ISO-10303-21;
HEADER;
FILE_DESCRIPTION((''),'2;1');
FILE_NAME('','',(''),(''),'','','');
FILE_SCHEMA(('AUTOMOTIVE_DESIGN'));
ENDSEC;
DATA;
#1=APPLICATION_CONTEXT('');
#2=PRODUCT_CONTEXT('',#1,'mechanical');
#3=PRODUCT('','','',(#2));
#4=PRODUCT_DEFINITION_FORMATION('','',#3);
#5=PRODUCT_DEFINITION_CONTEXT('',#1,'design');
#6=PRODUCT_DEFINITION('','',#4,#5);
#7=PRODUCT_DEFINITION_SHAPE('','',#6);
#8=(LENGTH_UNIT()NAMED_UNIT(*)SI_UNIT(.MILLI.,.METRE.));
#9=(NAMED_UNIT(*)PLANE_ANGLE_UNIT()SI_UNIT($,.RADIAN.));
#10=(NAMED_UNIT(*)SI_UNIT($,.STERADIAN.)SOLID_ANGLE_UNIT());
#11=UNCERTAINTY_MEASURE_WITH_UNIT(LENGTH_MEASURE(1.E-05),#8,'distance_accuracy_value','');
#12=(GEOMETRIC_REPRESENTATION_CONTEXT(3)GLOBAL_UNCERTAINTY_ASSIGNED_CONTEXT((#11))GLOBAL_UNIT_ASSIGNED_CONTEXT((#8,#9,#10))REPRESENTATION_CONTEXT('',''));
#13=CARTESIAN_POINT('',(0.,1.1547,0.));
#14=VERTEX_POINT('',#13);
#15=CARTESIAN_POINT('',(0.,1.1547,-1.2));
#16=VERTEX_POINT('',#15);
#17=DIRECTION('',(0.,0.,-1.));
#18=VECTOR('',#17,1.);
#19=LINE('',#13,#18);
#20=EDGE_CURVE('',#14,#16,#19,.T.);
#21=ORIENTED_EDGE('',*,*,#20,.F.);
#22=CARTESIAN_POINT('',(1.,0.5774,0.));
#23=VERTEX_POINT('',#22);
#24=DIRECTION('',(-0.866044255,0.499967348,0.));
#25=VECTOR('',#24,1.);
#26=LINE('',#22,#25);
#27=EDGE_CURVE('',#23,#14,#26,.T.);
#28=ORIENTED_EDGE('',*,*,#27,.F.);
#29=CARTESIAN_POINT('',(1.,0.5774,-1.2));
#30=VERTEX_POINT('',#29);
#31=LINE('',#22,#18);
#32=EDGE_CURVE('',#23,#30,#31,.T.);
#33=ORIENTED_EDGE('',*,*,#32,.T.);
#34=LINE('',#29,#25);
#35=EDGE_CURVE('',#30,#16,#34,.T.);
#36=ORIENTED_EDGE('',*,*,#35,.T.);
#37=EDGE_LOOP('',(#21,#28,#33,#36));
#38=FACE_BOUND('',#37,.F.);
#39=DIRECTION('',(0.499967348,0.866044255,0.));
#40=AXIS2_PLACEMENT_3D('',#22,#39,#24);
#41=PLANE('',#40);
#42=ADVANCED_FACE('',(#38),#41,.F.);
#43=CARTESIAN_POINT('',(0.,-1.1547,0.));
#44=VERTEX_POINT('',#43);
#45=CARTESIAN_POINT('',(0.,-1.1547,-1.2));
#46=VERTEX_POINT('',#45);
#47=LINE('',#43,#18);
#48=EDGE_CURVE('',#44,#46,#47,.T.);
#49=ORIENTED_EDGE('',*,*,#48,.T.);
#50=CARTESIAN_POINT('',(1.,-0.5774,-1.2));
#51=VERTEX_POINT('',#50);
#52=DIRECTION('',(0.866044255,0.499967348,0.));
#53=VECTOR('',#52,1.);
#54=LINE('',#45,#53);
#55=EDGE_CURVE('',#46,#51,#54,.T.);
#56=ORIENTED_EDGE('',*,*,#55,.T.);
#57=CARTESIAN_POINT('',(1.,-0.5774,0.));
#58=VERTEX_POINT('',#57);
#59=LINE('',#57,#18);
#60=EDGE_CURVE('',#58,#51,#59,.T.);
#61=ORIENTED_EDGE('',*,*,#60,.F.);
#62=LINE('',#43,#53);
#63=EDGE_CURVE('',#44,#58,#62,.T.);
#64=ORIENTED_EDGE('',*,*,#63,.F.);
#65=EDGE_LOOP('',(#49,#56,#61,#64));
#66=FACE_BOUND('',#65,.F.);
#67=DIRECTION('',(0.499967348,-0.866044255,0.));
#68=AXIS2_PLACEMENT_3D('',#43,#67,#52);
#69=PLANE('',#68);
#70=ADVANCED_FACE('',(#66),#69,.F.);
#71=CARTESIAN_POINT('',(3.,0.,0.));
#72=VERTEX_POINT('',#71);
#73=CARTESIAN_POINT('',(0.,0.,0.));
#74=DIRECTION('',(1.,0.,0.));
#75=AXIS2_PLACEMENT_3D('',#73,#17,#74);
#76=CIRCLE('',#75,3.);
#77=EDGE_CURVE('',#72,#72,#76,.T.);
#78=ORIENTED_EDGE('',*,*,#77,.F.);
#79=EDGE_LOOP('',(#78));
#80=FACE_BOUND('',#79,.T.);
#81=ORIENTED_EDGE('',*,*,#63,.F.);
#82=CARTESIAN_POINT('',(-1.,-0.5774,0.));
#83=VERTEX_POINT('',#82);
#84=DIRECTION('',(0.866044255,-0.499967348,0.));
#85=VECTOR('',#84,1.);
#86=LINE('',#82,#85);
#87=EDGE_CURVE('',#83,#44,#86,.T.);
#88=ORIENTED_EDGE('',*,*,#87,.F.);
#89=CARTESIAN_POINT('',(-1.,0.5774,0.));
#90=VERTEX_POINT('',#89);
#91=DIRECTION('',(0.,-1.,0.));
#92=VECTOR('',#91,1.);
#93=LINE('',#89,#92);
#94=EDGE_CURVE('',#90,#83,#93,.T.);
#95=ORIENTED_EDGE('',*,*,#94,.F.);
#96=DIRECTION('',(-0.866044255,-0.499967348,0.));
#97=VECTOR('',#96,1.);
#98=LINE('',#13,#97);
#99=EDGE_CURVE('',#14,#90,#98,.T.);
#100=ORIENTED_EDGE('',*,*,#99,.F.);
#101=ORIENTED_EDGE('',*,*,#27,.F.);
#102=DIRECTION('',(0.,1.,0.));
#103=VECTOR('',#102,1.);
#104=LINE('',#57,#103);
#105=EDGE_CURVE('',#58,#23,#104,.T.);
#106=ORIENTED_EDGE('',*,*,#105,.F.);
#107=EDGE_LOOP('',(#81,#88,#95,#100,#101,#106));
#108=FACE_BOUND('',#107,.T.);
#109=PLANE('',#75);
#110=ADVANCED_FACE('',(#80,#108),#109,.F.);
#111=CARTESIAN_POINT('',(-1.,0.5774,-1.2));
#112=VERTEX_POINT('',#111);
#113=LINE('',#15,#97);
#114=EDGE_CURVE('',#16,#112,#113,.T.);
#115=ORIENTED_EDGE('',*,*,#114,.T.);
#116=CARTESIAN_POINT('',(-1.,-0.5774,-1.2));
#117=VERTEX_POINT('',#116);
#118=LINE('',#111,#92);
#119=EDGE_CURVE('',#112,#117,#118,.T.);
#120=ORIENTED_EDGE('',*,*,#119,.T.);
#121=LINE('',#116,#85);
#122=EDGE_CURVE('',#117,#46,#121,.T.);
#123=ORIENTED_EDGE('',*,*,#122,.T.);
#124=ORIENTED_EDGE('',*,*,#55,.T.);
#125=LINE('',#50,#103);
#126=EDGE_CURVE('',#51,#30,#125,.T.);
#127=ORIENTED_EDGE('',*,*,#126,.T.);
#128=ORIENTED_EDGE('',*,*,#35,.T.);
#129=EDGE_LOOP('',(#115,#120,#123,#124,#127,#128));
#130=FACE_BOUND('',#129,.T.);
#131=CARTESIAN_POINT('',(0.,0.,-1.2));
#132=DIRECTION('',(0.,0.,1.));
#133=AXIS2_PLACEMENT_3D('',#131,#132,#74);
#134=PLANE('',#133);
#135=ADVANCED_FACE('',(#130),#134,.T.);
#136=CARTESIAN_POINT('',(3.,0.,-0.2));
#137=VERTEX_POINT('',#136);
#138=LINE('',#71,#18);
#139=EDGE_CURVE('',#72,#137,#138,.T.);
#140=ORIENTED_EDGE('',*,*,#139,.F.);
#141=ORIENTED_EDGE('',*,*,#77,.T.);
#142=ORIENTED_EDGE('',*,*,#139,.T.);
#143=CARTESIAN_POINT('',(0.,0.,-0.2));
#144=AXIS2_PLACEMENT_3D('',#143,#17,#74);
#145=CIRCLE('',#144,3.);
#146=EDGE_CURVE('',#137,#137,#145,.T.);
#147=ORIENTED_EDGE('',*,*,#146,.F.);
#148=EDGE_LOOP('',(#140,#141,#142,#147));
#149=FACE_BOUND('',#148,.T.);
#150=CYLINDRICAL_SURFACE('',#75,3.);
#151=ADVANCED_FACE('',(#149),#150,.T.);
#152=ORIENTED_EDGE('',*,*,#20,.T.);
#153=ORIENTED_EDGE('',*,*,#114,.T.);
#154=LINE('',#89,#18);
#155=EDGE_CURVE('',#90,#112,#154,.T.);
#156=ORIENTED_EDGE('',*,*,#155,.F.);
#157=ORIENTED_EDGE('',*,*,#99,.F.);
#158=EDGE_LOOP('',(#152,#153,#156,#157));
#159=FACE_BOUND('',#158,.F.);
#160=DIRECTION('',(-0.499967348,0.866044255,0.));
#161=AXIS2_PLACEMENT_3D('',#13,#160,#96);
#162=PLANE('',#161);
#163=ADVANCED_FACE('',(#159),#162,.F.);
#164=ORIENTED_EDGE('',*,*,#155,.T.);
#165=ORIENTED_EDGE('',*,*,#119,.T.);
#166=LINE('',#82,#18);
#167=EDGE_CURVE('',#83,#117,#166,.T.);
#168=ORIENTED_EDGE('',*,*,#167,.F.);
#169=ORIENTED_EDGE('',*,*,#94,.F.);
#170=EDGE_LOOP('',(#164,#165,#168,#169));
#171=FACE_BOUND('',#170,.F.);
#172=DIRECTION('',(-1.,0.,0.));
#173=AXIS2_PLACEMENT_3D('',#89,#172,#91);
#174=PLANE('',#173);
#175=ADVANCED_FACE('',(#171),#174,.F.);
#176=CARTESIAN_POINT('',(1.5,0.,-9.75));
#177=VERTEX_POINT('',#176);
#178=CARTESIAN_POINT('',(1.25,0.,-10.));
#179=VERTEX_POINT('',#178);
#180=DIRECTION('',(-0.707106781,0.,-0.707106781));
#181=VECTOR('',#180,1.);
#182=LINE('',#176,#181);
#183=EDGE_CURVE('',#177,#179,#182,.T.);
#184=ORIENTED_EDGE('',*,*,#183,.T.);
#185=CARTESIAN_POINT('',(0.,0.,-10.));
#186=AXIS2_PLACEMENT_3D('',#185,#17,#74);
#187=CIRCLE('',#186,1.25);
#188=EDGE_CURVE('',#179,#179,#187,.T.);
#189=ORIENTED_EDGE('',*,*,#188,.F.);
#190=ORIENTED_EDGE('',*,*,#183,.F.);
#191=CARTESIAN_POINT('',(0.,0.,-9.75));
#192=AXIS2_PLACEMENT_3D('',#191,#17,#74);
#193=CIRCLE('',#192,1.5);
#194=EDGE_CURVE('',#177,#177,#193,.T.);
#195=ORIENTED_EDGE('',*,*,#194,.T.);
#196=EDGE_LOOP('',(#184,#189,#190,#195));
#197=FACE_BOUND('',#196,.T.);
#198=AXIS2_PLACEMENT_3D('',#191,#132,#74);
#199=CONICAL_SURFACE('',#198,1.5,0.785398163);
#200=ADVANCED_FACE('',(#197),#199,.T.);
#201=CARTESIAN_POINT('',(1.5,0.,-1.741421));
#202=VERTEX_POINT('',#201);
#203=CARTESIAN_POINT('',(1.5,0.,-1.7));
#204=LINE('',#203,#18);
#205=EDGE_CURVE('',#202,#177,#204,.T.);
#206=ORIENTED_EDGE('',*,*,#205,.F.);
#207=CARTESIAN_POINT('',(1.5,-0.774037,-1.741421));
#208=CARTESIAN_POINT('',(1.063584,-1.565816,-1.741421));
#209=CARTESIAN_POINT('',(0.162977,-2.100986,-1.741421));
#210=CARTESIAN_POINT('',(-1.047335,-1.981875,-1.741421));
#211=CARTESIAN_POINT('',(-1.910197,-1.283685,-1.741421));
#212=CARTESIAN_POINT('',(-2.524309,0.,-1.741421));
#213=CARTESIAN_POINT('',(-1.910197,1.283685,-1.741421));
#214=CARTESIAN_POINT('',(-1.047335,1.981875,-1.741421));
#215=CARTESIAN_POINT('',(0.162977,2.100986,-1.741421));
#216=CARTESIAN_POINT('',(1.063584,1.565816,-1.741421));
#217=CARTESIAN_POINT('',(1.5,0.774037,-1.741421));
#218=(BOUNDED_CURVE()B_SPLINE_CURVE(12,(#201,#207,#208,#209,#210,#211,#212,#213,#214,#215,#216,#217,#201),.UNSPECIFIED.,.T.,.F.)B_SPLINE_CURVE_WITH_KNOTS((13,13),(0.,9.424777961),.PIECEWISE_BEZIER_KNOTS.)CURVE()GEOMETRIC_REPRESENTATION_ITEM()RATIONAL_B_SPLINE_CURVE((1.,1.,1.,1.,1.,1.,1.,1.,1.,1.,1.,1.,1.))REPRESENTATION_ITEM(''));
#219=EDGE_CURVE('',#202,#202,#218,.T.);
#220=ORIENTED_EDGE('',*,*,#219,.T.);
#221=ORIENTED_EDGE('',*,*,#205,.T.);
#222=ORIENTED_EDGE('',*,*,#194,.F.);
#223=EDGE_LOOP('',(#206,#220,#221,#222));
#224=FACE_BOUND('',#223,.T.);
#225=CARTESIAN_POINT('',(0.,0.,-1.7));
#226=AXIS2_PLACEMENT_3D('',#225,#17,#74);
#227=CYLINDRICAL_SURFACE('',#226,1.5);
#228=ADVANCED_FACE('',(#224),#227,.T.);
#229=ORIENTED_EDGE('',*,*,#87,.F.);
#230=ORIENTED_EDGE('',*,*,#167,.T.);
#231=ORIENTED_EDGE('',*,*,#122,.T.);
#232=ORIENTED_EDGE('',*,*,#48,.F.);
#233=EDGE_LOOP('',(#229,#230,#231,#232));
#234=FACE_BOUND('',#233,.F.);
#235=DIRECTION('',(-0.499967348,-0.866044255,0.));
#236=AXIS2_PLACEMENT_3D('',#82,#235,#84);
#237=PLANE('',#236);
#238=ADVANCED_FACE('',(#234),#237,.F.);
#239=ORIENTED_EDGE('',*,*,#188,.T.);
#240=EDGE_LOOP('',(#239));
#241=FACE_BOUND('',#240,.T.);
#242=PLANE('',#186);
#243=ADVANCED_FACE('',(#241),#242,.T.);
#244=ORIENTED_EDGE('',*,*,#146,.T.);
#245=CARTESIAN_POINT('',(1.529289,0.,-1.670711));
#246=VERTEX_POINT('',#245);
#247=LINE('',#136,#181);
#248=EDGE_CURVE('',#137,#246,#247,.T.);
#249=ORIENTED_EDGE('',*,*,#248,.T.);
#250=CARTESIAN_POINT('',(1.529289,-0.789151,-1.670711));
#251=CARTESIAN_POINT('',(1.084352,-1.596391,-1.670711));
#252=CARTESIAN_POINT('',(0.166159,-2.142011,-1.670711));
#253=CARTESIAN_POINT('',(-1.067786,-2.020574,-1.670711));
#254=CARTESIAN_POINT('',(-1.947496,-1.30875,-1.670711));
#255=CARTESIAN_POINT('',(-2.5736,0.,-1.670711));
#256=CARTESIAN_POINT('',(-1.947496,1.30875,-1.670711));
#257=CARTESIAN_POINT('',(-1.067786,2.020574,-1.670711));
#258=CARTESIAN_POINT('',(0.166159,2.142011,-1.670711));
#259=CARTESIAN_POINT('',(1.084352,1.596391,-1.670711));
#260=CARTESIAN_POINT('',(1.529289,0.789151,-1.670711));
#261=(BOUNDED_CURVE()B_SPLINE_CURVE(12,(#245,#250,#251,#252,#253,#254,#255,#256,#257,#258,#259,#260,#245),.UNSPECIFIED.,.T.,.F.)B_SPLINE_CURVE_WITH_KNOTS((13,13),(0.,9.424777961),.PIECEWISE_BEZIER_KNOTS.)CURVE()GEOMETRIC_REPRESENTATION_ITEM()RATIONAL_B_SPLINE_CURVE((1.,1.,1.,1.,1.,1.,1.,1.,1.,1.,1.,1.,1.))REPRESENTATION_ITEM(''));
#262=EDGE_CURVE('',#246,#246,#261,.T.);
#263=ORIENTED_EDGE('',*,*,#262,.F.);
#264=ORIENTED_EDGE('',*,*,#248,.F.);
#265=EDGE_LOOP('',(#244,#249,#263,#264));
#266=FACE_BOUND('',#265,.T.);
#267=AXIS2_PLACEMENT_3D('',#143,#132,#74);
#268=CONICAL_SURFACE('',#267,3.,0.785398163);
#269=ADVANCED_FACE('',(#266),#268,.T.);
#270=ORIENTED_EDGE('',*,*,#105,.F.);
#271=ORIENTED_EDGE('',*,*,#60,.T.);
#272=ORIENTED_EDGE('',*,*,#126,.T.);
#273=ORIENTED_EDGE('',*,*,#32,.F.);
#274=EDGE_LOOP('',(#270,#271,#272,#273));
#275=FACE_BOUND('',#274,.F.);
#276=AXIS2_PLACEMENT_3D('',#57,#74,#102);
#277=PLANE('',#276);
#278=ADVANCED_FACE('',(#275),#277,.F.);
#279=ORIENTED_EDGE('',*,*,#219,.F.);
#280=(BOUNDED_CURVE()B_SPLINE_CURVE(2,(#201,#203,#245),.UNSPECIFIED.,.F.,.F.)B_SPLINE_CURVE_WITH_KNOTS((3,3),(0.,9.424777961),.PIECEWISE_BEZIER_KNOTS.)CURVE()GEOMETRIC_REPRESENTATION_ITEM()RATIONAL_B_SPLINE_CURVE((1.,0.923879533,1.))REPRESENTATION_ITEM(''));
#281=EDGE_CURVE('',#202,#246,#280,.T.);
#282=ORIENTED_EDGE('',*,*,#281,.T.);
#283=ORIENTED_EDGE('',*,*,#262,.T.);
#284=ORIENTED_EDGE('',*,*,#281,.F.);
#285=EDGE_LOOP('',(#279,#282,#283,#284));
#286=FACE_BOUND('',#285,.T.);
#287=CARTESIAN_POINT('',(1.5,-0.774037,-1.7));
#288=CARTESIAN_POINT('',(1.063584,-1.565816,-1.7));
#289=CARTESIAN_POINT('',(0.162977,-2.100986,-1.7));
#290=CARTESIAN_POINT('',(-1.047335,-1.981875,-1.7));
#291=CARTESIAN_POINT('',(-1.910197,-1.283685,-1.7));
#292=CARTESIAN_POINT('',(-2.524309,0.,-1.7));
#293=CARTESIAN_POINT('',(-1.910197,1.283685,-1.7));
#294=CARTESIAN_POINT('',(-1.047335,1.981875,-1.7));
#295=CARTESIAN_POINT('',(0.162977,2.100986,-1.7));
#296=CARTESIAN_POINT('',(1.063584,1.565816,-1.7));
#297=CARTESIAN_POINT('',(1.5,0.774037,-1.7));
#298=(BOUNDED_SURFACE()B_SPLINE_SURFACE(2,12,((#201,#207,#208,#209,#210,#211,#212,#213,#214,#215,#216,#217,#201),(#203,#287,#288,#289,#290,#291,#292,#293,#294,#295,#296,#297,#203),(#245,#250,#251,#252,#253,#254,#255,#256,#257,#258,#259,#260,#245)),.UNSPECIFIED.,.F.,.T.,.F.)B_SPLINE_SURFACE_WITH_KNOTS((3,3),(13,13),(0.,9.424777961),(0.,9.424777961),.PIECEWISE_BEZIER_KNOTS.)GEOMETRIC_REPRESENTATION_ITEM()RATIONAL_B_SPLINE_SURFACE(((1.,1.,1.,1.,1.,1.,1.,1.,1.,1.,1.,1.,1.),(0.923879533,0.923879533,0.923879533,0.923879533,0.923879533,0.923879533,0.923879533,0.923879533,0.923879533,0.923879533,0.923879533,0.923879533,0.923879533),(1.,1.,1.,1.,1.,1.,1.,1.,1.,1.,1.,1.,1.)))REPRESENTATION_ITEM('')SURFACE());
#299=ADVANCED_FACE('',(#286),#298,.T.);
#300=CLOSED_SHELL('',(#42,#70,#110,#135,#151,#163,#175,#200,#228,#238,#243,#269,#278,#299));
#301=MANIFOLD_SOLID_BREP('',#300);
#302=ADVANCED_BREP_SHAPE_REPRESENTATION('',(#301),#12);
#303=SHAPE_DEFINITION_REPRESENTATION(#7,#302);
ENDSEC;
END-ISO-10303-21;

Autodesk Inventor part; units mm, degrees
ref_plane "YZ Plane" through (0, 0, 0) normal (1, 0, 0) x (0, 1, 0)
sketch "Skizze1" plane through (0, 0, 0) normal (0, 1, 0) x (-1, 0, 0)
  point P0 (0, 0)
sketch "Skizze2" plane through (0, 0, 0) normal (0, 1, 0) x (-1, 0, 0)
  line L0 (-1.5, -10) -> (0, -10)
  line L1 (-1.5, -1.7) -> (-1.5, -10)
  line L2 (-3, -0.2) -> (-1.5, -1.7)
  line L3 (-3, 0) -> (-3, -0.2)
  line L4 (0, 0) -> (-3, 0)
  line L5 (0, -10) -> (0, 0)
  line L6 (0, -10) -> (0, 0)
  line L7 (0, -12) -> (0, 2) projected
  line L8 (0.6, 0) -> (-3.6, 0) projected
  dimension "d3" = 3
  dimension "d5" = 1.5
  dimension "d7" = 10
  dimension "ParC" = 0.2
  dimension "d22" = 0
  dimension "d23" = 0
  dimension "d43" = 45
revolve "Drehung1" add sketch "Skizze2" angle 360 about axis through (0, 0, -10) along (0, 0, -1)
sketch "Skizze3" plane through (0, 0, 0) normal (0, 0, 1) x (1, 0, 0)
  line L0 (-1, 0.5774) -> (-1, -0.5774)
  line L1 (0, 1.1547) -> (-1, 0.5774)
  line L2 (1, 0.5774) -> (0, 1.1547)
  line L3 (1, -0.5774) -> (1, 0.5774)
  line L4 (0, -1.1547) -> (1, -0.5774)
  line L5 (-1, -0.5774) -> (0, -1.1547)
  circle A0 centre (0, 0) radius 1 construction
  circle A1 centre (0, 0) radius 1.5 construction
  dimension "d11" = 2
  dimension "d13" = 120
  dimension "d15" = 120
extrude "Extrusion1" cut sketch "Skizze3" against normal blind 1.2
fillet "Rundung1" radius 0.1 1 edges at (-1.5, 0, -1.7)
chamfer "Fase1" distance 0.25 angle 45 1 edges at (-1.5, 0, -10) measured on face at (1.4041, 0.5277, -7.2471)
thread "Gewinde1" size "M3x0.5" class "6g" standard "ISO Metric profile" length 7.3
ref_plane "MSC_PF1" through (0, 0, 0) normal (1, 0, 0) x (0, 1, 0)
ref_plane "MSC_PT1" through (0, 0, 0) normal (0, 0, -1) x (-1, 0, 0)
equation "\"d3\" = 0.5 * dk"
equation "\"d5\" = 0.5 * NND"
equation "\"d7\" = NLG"
equation "\"d43\" = 0.5 * ang"
equation "\"d11\" = ParS"
equation "\"d16\" = ParT"
equation "\"d18\" = r"
equation "\"d19\" = 0.5 * PTC"
equation "\"d39\" = 0.5 * PTC"
equation "\"NND\" = 3"
equation "\"PTC\" = 0.5"
equation "\"dk\" = 6"
equation "\"ParK\" = 1.7"
equation "\"ParS\" = 2"
equation "\"ParT\" = 1.2"
equation "\"r\" = 0.1"
equation "\"NLG\" = 10"
equation "\"ang\" = 90deg"
equation "\"THREADDIA\" = NND"
properties part number "DIN 7991 - M3x10" material "Stahl, weich"
